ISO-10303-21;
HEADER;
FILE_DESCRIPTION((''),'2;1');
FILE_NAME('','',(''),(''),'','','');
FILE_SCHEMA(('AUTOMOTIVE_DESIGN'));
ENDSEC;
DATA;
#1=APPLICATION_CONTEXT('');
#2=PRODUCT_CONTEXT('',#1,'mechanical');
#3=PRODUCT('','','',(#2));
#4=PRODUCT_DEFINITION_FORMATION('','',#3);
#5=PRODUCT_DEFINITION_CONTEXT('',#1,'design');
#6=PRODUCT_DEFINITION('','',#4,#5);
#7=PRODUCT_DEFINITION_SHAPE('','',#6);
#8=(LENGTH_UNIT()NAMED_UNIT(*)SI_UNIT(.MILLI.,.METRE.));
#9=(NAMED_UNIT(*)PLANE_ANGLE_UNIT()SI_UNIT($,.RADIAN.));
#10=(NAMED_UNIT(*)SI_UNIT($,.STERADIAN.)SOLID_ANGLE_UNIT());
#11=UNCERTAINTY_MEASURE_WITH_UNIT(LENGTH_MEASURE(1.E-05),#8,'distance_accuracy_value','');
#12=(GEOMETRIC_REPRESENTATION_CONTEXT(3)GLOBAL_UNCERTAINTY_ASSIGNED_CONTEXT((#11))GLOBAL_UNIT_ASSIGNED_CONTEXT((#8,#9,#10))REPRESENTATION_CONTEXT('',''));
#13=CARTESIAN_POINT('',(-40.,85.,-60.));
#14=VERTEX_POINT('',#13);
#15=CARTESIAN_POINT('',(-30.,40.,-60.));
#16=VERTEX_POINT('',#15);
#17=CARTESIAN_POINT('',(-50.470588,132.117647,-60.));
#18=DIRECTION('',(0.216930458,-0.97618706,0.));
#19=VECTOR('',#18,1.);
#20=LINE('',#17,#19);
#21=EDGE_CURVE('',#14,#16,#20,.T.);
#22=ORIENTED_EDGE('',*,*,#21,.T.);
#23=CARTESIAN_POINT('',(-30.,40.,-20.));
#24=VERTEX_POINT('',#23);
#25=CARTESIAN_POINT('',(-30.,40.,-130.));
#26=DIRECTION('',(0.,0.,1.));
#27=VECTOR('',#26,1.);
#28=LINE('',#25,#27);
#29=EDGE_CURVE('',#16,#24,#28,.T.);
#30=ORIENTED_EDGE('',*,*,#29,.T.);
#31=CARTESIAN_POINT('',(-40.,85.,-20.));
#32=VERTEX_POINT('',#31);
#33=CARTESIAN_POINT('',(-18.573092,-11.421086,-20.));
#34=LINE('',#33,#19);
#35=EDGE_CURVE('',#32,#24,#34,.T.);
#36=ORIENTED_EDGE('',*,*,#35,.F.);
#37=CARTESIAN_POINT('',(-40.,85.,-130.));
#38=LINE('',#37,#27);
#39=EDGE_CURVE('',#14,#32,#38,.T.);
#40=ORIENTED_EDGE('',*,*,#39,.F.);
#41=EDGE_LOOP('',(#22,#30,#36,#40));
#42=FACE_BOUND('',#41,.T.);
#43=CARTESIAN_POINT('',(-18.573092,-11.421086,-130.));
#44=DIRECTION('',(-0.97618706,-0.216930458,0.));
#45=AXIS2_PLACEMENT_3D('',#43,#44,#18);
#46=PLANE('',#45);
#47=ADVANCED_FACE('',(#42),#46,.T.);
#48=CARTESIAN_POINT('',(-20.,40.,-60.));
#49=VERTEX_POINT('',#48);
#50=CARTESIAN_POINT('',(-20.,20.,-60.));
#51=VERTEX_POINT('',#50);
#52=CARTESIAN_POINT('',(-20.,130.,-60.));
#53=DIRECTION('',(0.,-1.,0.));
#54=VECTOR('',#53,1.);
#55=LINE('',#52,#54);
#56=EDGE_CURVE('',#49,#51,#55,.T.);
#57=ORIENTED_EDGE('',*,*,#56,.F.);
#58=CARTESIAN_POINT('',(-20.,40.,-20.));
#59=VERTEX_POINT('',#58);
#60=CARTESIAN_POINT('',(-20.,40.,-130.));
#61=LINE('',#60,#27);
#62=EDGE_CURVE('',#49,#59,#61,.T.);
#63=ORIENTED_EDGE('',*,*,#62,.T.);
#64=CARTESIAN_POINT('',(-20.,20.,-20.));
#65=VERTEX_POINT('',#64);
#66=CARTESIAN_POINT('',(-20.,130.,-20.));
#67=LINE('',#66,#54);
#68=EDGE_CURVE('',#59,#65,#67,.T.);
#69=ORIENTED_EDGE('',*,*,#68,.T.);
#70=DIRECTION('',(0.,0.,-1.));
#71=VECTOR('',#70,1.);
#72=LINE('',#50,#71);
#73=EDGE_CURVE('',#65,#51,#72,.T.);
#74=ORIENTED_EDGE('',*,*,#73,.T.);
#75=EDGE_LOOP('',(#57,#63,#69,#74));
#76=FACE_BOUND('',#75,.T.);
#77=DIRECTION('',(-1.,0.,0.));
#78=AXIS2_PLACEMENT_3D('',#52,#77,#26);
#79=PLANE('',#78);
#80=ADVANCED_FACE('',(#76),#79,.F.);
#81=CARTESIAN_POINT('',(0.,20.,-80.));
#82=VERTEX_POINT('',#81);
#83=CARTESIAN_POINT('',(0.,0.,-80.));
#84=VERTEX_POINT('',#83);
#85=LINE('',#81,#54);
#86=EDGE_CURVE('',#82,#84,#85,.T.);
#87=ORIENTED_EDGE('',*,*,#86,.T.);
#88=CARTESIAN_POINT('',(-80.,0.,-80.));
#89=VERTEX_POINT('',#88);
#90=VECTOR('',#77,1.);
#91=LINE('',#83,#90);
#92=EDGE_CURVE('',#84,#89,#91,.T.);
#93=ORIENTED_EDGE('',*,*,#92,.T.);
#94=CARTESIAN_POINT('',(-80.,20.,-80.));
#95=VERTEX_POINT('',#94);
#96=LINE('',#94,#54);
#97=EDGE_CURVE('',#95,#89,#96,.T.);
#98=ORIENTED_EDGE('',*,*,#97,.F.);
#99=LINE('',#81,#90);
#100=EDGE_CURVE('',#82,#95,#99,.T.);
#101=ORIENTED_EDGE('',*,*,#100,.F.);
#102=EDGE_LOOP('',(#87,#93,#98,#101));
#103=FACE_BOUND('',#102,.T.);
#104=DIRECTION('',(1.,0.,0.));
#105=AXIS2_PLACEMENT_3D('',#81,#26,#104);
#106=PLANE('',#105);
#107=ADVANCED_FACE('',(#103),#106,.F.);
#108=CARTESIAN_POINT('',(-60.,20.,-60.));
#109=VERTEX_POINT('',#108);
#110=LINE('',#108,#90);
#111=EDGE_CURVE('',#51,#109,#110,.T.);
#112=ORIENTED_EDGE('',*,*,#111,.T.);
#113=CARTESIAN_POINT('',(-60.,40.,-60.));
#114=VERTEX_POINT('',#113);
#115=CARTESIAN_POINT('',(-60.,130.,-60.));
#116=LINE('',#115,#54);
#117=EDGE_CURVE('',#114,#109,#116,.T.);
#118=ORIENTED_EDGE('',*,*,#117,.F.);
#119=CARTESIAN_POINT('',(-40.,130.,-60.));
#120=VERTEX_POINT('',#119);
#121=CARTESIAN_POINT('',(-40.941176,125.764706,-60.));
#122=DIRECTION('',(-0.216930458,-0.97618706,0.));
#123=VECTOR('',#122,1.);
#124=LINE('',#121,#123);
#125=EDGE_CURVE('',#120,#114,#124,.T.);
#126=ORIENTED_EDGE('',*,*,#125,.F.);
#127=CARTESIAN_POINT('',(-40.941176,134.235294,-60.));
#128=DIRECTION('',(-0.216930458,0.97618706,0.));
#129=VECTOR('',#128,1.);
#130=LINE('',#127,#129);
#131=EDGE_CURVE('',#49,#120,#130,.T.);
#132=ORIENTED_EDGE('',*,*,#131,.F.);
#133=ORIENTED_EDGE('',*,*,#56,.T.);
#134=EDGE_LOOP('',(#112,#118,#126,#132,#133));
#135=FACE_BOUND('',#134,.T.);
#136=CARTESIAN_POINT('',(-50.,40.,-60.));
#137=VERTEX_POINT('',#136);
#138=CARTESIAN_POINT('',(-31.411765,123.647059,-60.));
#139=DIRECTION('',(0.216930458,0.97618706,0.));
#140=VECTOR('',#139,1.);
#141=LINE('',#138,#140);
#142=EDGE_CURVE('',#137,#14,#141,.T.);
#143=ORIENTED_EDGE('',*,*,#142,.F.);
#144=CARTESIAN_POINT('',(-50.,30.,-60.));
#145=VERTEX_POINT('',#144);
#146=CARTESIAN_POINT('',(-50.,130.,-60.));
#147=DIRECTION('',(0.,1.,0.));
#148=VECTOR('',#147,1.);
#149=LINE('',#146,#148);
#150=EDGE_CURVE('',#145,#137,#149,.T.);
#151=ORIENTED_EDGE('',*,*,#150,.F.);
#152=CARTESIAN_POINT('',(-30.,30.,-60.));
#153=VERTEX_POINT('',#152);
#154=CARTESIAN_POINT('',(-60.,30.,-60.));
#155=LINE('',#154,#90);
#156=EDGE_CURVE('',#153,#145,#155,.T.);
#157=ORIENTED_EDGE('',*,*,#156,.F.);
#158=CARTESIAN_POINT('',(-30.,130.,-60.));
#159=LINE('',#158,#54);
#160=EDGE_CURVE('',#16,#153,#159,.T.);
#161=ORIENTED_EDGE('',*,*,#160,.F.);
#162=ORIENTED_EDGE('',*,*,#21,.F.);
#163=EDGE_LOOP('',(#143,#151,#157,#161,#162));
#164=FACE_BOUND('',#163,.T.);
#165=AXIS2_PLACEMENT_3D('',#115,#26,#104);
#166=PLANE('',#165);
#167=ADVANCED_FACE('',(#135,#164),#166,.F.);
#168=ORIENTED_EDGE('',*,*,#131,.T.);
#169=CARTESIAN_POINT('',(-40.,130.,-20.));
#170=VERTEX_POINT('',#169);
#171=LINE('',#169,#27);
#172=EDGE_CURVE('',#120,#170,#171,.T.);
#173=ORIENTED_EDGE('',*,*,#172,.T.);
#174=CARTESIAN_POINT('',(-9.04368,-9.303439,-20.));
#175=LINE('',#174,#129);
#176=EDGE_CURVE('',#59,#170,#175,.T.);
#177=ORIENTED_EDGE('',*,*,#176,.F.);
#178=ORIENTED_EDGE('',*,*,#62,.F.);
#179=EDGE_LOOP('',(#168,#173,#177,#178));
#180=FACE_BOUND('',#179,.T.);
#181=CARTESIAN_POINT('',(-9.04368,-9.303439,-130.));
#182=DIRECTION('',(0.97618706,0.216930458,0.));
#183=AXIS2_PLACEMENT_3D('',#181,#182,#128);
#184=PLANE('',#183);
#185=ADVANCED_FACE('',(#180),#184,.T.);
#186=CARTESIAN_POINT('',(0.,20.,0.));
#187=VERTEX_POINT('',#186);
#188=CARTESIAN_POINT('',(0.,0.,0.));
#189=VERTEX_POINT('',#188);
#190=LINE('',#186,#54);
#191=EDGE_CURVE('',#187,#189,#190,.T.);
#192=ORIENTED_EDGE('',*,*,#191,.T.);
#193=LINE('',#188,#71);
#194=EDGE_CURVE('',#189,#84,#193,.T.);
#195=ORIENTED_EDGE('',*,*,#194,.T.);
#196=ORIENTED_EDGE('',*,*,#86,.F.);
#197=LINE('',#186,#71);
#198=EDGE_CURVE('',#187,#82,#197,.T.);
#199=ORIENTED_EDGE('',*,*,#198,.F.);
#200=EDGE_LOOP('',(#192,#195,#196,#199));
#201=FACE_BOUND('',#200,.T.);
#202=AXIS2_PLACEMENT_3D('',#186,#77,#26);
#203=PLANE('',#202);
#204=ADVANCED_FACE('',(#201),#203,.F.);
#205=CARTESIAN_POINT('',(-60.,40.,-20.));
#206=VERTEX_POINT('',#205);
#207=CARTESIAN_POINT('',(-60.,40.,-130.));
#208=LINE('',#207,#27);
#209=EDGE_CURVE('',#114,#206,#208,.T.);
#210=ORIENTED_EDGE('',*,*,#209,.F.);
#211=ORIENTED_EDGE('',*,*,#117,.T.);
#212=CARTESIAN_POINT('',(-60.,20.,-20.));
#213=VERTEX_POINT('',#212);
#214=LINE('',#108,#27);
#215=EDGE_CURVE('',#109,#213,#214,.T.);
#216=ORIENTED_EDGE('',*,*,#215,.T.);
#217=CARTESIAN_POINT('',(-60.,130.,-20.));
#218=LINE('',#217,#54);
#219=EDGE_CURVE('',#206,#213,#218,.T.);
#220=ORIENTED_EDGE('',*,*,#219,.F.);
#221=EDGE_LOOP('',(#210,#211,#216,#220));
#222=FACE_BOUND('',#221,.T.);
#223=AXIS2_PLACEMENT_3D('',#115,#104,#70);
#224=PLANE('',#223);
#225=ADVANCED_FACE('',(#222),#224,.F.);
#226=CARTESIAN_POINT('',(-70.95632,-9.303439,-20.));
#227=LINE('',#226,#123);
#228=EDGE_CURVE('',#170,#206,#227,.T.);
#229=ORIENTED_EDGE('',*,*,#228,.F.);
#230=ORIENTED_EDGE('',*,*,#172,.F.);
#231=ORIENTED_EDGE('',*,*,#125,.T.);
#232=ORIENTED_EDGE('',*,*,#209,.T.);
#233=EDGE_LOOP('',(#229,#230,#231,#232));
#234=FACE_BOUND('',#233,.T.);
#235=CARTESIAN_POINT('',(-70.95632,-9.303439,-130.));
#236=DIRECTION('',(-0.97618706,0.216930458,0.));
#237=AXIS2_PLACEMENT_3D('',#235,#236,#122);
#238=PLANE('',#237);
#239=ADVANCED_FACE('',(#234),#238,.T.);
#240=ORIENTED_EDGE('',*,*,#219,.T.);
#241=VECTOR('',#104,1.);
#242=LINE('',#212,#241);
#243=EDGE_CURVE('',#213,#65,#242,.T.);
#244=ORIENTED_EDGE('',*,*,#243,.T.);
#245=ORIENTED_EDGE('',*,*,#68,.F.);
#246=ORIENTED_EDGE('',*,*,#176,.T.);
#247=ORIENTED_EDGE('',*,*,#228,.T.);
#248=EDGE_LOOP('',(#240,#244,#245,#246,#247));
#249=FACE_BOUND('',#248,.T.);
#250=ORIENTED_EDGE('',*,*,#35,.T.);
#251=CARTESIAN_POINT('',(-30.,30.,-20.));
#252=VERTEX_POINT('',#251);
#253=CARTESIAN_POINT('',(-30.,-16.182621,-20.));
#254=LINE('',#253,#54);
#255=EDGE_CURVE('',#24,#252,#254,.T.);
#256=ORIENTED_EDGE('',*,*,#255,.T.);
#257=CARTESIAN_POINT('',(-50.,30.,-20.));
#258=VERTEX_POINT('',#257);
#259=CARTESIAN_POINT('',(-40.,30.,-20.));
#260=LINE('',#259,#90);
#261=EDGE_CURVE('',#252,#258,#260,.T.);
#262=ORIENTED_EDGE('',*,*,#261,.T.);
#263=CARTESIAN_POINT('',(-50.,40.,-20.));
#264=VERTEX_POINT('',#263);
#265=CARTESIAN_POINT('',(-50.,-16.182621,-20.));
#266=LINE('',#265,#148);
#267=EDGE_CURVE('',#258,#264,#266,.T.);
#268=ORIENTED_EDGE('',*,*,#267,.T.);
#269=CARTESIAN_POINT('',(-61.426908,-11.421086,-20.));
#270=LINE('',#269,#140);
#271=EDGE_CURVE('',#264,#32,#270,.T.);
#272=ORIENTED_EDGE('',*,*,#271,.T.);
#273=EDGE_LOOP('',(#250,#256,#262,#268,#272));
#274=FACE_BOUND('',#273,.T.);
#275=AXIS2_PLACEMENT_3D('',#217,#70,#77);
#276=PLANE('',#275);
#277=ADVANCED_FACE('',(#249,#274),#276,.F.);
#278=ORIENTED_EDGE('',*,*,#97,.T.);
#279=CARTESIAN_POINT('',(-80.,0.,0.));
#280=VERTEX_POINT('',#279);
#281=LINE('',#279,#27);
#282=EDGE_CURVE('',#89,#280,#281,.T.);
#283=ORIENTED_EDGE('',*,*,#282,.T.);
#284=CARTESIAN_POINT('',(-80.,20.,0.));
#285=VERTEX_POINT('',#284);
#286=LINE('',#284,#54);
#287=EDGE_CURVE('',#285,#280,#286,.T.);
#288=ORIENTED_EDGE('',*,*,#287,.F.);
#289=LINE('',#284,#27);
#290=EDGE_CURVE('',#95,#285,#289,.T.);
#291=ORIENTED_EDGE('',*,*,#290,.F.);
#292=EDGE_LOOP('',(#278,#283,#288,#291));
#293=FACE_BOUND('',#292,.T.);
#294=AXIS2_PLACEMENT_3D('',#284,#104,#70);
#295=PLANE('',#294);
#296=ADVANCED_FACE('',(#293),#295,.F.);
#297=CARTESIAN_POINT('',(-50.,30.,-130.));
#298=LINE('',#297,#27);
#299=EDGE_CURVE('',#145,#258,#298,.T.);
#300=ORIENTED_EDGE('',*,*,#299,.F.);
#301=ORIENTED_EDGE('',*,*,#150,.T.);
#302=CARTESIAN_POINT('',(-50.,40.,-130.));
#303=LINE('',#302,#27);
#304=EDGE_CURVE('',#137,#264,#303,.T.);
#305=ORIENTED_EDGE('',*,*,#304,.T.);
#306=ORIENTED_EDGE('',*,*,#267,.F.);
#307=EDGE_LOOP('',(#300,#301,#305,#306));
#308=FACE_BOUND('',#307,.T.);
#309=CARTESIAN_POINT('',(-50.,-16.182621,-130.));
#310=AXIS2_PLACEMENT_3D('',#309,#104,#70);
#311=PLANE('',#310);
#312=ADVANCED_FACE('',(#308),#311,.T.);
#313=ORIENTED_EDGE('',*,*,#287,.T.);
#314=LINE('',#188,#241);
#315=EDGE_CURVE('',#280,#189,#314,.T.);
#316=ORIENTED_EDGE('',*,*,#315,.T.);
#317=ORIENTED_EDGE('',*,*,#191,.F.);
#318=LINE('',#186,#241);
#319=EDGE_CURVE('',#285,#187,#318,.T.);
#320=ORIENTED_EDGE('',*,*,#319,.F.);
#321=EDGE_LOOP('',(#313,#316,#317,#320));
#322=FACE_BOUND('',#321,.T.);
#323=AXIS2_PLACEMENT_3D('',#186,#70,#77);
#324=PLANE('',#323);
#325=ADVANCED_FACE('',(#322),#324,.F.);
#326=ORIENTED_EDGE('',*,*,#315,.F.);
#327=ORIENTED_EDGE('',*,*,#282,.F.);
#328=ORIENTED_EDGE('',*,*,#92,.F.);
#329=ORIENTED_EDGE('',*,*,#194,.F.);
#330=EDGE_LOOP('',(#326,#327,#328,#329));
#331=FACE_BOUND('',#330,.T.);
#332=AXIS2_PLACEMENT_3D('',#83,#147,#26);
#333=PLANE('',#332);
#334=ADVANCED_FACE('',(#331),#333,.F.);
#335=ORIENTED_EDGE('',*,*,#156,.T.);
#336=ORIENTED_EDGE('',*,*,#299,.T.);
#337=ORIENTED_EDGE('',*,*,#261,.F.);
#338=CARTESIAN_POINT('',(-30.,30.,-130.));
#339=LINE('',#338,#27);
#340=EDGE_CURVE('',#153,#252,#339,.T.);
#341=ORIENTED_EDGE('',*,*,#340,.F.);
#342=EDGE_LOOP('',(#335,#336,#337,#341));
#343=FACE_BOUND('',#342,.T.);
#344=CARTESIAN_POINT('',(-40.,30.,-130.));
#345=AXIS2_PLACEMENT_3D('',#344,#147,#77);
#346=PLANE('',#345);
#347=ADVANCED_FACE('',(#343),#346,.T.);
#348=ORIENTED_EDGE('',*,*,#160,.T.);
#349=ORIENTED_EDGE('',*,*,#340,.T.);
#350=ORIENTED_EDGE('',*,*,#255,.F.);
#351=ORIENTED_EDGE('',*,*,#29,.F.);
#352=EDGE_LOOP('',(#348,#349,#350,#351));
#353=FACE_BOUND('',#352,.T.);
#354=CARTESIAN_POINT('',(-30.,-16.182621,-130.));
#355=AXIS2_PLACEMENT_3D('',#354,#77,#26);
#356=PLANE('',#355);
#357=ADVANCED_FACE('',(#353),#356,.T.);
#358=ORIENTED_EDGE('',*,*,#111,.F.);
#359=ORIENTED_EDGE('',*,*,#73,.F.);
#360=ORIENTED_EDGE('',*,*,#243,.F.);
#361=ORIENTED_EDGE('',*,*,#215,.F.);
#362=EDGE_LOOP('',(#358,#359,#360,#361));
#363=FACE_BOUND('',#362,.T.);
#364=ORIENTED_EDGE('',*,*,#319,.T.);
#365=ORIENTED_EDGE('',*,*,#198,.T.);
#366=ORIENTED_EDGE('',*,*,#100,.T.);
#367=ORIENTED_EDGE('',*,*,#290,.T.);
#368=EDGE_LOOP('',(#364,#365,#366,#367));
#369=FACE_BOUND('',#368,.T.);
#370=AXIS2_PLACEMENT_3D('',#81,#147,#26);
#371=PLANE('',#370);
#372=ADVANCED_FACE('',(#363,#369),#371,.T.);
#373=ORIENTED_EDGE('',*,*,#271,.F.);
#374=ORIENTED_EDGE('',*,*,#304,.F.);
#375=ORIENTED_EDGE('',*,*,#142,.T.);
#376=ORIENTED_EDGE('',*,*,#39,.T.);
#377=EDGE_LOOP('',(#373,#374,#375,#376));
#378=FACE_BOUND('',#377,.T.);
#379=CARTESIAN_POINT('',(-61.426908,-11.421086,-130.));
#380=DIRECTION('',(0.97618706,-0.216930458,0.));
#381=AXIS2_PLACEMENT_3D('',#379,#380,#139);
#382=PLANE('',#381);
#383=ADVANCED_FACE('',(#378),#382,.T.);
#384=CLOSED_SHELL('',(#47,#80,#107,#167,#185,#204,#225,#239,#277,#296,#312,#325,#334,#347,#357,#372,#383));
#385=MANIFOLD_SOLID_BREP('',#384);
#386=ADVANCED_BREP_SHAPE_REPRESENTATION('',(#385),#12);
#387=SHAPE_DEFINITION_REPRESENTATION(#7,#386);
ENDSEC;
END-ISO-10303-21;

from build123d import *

# Parameters (mm, degrees)
SKETCH1_W      = 80
SKETCH1_H      = 80
EXTRUDE1_DEPTH = 20
SKETCH2_W      = 40
SKETCH2_H      = 40
EXTRUDE2_DEPTH = 110
EXTRUDE3_DEPTH = 110


with BuildPart() as part:
    # Sketch1 → Extrude1 (new body)
    with BuildSketch(Plane(origin=(0, 0, 0), x_dir=(1, 0, 0), z_dir=(0, 1, 0))):
        with Locations((-40, 40)):
            Rectangle(SKETCH1_W, SKETCH1_H)
    extrude(amount=EXTRUDE1_DEPTH)

    # Sketch2 → Extrude2 (add)
    with BuildSketch(Plane(origin=(0, 20, 0), x_dir=(1, 0, 0), z_dir=(0, 1, 0))):
        with Locations((-40, 40)):
            Rectangle(SKETCH2_W, SKETCH2_H)
    extrude(amount=EXTRUDE2_DEPTH)

    # Sketch3 → Extrude3 (cut)
    with BuildSketch(Plane.XY.offset(-20)):
        Polygon((-60, 40), (-40, 130), (-60, 130), align=None)
        Polygon((-40, 130), (-20, 40), (-20, 130), align=None)
        Polygon((-50, 40), (-40, 85), (-30, 40), (-30, 30), (-50, 30), align=None)
    extrude(amount=-EXTRUDE3_DEPTH, mode=Mode.SUBTRACT)


solid = part.part
